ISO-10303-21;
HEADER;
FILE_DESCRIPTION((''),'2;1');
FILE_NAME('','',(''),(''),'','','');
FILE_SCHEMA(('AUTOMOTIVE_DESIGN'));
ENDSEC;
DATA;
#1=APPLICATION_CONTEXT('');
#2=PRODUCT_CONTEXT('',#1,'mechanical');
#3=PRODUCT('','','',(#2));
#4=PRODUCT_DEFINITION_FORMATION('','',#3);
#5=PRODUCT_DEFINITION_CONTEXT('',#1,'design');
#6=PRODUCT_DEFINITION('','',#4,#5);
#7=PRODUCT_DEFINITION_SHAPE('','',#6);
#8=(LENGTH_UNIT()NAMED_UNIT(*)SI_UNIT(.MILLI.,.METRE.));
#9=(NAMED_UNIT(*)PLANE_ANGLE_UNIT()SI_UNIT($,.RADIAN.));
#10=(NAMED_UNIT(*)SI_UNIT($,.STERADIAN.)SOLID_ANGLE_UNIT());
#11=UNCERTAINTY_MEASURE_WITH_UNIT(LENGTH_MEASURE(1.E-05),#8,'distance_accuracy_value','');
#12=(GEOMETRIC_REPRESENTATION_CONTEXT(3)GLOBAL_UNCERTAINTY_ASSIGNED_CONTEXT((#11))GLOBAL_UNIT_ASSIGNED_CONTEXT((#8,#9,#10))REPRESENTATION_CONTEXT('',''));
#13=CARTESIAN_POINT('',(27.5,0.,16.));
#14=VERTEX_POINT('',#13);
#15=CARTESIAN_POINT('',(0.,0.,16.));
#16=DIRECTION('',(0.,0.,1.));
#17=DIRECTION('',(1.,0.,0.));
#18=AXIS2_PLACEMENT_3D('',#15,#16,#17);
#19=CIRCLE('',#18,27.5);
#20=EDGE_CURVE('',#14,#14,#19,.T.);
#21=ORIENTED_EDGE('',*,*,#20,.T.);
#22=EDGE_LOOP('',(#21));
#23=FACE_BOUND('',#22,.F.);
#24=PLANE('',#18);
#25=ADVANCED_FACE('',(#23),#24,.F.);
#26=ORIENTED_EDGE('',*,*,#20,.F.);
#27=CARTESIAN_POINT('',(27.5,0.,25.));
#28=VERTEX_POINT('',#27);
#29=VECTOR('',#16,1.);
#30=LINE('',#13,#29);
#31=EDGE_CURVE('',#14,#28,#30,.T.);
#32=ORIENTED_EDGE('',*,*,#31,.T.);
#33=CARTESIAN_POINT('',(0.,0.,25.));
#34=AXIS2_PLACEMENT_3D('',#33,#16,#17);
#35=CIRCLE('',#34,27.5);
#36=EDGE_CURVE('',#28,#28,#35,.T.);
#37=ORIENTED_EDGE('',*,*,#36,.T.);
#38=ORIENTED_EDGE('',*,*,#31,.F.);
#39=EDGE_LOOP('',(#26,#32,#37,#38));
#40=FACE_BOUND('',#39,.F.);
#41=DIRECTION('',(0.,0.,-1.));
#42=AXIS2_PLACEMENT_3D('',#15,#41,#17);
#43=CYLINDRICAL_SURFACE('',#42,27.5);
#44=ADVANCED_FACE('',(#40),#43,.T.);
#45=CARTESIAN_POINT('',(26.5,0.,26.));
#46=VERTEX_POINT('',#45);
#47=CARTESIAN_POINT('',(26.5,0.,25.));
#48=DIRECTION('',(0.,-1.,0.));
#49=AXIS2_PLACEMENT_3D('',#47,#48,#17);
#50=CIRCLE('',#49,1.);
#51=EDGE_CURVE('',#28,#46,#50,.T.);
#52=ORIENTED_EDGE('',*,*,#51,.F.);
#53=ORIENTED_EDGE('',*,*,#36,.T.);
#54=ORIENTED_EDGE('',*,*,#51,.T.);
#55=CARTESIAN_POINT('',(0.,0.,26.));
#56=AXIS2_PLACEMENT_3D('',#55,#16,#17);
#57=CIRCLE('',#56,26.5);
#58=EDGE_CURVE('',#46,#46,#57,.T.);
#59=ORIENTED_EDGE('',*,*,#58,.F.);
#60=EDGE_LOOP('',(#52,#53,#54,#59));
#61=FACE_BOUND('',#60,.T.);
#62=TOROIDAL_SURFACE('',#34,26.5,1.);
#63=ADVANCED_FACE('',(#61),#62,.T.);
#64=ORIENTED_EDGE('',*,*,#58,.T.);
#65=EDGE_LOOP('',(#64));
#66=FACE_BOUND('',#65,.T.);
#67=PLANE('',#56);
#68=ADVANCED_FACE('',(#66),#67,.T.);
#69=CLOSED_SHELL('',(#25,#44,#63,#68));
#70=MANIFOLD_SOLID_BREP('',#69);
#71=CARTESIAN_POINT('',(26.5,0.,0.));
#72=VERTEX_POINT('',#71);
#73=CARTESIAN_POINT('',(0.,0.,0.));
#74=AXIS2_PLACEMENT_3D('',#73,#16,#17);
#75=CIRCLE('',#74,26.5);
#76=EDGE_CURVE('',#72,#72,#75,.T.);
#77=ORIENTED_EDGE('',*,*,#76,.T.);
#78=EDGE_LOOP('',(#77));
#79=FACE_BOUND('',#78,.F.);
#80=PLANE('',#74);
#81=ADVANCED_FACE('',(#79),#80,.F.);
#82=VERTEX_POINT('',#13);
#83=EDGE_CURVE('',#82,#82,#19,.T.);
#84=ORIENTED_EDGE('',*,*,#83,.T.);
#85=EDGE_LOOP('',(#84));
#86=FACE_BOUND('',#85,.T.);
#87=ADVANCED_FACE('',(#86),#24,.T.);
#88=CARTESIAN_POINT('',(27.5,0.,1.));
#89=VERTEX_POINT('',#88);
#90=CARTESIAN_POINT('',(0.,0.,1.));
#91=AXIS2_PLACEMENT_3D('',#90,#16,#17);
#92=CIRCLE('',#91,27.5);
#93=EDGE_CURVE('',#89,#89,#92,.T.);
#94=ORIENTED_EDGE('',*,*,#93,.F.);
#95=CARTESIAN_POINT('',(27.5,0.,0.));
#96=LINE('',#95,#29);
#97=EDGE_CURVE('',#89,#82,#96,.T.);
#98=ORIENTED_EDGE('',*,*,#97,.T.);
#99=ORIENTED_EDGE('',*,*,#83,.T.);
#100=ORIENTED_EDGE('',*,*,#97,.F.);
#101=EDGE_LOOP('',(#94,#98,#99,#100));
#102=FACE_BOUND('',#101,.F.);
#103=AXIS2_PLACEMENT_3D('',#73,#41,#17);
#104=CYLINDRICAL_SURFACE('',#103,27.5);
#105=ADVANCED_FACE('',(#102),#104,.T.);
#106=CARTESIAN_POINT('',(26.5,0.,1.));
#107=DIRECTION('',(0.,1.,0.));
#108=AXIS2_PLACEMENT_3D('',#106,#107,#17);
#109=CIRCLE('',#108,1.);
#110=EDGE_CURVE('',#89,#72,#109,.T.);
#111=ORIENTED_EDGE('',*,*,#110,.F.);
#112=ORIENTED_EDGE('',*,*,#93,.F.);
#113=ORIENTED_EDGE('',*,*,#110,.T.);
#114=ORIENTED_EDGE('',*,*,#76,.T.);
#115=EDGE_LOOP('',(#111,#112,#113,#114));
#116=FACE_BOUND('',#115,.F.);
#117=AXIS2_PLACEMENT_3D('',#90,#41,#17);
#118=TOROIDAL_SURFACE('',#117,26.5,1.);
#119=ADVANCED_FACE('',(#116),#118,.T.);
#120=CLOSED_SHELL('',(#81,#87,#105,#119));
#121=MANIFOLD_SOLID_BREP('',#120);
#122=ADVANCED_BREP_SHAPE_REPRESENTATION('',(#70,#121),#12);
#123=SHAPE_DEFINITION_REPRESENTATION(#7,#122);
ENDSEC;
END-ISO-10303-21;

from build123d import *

# Parameters (mm, degrees)
F0_R     = 27.5
F1_DEPTH = 16
F2_R     = 27.5
F3_DEPTH = 10
F4_R     = 1
F5_R     = 1


with BuildPart() as f1:
    # F0 (on Top) → F1 (new body)
    with BuildSketch(Plane.XY):
        Circle(F0_R)
    extrude(amount=F1_DEPTH)

    # F5
    f5_edges = [f1.edges().sort_by_distance(p)[0] for p in [
        (-27.5, 0, 0),
    ]]
    fillet(f5_edges, radius=F5_R)


with BuildPart() as f3:
    # F2 (on face) → F3 (new body)
    with BuildSketch(Plane.XY.offset(16)):
        Circle(F2_R)
    extrude(amount=F3_DEPTH)

    # F4
    f4_edges = [f3.edges().sort_by_distance(p)[0] for p in [
        (-27.5, 0, 26),
    ]]
    fillet(f4_edges, radius=F4_R)


solid = Compound([f1.part, f3.part])
